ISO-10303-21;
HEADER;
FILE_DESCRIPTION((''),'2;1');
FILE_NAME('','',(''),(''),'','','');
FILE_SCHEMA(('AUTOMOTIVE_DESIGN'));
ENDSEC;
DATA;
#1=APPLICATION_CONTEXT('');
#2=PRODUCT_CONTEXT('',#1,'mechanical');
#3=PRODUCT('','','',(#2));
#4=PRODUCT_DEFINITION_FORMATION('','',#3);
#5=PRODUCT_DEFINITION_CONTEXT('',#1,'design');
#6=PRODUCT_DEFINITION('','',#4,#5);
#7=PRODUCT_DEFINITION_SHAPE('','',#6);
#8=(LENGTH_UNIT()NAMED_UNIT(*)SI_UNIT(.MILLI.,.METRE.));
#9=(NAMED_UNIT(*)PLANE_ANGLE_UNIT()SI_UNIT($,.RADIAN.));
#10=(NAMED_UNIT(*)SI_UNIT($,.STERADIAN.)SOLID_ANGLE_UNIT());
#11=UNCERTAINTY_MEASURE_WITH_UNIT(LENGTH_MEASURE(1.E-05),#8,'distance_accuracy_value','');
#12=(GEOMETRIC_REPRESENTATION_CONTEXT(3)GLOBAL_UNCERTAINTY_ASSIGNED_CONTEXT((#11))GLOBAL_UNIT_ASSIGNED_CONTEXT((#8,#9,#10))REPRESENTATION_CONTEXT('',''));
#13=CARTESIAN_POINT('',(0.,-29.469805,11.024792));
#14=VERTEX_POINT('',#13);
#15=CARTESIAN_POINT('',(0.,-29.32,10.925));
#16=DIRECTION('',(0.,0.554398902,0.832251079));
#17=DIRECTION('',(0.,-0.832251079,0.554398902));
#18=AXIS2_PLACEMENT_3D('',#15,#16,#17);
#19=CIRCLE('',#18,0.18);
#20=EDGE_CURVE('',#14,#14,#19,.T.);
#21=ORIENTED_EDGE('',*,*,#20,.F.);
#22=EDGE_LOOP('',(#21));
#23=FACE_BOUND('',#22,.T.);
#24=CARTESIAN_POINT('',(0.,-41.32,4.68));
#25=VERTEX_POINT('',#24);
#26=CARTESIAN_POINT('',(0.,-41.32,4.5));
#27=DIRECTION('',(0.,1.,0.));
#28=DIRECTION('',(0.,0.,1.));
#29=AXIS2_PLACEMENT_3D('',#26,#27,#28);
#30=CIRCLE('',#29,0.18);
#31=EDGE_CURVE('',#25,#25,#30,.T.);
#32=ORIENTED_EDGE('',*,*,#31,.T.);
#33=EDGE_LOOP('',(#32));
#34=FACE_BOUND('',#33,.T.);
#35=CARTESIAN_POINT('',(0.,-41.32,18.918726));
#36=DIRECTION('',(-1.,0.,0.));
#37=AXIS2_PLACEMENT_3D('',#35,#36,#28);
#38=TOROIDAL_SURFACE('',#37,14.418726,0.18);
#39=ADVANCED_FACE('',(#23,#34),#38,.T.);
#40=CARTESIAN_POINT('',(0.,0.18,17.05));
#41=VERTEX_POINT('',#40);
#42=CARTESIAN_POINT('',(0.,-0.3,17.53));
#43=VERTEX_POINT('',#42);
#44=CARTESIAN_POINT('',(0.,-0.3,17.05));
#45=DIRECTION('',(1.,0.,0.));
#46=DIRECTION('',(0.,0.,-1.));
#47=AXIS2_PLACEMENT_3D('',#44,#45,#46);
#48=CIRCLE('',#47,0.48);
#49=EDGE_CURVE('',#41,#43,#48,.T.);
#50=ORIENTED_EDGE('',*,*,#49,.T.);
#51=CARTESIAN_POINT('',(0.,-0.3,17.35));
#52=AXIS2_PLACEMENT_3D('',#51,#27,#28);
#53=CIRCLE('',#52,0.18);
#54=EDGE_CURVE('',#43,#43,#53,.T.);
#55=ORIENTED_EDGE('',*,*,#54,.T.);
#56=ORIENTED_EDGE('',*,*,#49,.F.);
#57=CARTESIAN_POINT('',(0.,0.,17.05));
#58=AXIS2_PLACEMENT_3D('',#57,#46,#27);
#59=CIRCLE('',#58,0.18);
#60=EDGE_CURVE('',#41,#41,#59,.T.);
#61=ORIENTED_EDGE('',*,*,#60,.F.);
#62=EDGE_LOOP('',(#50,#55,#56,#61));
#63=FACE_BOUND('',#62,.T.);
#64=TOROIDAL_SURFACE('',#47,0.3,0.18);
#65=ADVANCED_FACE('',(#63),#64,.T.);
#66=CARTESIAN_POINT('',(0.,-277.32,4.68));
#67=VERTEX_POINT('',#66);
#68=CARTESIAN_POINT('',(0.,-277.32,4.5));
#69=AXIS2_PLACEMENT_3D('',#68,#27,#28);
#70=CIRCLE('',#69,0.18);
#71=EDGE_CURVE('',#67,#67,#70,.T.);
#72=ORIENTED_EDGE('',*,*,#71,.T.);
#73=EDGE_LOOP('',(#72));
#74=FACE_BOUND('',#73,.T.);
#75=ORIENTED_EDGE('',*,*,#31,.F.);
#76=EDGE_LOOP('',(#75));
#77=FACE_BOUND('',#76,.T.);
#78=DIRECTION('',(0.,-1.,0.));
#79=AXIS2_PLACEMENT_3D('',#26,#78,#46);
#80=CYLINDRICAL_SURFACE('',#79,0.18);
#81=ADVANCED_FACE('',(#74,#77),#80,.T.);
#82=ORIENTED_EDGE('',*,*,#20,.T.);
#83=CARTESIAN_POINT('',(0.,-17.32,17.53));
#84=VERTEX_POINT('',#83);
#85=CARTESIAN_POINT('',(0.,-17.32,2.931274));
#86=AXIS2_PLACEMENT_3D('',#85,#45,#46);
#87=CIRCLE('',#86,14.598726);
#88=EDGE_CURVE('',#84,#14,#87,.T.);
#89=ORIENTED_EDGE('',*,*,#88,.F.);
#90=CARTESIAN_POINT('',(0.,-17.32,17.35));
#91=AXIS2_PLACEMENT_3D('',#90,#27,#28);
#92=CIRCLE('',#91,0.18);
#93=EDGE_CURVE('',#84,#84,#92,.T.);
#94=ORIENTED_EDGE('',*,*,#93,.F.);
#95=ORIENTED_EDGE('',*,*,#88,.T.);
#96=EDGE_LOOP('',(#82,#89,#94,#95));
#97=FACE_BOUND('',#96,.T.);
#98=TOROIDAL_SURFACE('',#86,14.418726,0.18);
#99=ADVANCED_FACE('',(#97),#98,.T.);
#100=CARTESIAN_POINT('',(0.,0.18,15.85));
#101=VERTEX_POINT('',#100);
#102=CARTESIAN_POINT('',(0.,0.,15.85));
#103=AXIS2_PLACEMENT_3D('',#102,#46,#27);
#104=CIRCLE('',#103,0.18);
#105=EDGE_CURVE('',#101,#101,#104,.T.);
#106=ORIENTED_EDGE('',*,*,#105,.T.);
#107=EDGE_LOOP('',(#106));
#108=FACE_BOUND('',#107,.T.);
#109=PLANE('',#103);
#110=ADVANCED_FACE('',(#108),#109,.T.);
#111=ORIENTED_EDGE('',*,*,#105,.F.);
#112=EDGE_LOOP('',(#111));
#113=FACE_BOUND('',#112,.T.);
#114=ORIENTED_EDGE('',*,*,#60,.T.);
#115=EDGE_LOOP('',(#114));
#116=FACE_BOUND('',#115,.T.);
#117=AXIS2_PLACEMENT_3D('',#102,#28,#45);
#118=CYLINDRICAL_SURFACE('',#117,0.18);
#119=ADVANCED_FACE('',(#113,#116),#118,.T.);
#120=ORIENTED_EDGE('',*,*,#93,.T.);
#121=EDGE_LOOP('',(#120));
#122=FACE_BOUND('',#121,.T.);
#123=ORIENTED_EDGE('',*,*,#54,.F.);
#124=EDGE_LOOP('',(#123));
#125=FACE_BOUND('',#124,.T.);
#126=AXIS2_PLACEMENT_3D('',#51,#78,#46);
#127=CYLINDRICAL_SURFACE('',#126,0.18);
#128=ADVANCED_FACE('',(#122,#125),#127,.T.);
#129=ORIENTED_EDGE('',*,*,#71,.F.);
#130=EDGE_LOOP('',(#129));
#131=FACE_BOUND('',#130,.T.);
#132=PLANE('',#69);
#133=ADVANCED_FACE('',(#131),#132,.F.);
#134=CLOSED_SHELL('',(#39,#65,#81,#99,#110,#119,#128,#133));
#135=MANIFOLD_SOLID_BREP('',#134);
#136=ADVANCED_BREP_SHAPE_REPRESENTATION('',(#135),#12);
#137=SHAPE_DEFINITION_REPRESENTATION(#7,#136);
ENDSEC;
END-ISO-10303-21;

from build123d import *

# Parameters (mm, degrees)
NATIVE_HOLLOW_UTILITY_SWEEP_PROFILE_R = 0.18


with BuildPart() as part:
    # Native hollow utility sweep: sweep along a path in Illustrative smooth utility route
    with BuildLine(Plane(origin=(0, 0, 0), x_dir=(0, 0, -1), z_dir=(1, 0, 0))) as native_hollow_utility_sweep_path:
        Line((-15.85, 0), (-17.05, 0))
        ThreePointArc((-17.05, 0), (-17.262132034, -0.087867966), (-17.35, -0.3))
        Line((-17.35, -0.3), (-17.35, -17.32))
        ThreePointArc((-17.35, -17.32), (-15.642666611, -24.12589129), (-10.925, -29.32))
        ThreePointArc((-10.925, -29.32), (-6.207333389, -34.51410871), (-4.5, -41.32))
        Line((-4.5, -41.32), (-4.5, -277.32))
    # Native hollow utility sweep profile (on start of the path) → Native hollow utility sweep (sweep)
    with BuildSketch(Plane.XY.offset(15.85)):
        Circle(NATIVE_HOLLOW_UTILITY_SWEEP_PROFILE_R)
    sweep(path=native_hollow_utility_sweep_path.line)


solid = part.part
